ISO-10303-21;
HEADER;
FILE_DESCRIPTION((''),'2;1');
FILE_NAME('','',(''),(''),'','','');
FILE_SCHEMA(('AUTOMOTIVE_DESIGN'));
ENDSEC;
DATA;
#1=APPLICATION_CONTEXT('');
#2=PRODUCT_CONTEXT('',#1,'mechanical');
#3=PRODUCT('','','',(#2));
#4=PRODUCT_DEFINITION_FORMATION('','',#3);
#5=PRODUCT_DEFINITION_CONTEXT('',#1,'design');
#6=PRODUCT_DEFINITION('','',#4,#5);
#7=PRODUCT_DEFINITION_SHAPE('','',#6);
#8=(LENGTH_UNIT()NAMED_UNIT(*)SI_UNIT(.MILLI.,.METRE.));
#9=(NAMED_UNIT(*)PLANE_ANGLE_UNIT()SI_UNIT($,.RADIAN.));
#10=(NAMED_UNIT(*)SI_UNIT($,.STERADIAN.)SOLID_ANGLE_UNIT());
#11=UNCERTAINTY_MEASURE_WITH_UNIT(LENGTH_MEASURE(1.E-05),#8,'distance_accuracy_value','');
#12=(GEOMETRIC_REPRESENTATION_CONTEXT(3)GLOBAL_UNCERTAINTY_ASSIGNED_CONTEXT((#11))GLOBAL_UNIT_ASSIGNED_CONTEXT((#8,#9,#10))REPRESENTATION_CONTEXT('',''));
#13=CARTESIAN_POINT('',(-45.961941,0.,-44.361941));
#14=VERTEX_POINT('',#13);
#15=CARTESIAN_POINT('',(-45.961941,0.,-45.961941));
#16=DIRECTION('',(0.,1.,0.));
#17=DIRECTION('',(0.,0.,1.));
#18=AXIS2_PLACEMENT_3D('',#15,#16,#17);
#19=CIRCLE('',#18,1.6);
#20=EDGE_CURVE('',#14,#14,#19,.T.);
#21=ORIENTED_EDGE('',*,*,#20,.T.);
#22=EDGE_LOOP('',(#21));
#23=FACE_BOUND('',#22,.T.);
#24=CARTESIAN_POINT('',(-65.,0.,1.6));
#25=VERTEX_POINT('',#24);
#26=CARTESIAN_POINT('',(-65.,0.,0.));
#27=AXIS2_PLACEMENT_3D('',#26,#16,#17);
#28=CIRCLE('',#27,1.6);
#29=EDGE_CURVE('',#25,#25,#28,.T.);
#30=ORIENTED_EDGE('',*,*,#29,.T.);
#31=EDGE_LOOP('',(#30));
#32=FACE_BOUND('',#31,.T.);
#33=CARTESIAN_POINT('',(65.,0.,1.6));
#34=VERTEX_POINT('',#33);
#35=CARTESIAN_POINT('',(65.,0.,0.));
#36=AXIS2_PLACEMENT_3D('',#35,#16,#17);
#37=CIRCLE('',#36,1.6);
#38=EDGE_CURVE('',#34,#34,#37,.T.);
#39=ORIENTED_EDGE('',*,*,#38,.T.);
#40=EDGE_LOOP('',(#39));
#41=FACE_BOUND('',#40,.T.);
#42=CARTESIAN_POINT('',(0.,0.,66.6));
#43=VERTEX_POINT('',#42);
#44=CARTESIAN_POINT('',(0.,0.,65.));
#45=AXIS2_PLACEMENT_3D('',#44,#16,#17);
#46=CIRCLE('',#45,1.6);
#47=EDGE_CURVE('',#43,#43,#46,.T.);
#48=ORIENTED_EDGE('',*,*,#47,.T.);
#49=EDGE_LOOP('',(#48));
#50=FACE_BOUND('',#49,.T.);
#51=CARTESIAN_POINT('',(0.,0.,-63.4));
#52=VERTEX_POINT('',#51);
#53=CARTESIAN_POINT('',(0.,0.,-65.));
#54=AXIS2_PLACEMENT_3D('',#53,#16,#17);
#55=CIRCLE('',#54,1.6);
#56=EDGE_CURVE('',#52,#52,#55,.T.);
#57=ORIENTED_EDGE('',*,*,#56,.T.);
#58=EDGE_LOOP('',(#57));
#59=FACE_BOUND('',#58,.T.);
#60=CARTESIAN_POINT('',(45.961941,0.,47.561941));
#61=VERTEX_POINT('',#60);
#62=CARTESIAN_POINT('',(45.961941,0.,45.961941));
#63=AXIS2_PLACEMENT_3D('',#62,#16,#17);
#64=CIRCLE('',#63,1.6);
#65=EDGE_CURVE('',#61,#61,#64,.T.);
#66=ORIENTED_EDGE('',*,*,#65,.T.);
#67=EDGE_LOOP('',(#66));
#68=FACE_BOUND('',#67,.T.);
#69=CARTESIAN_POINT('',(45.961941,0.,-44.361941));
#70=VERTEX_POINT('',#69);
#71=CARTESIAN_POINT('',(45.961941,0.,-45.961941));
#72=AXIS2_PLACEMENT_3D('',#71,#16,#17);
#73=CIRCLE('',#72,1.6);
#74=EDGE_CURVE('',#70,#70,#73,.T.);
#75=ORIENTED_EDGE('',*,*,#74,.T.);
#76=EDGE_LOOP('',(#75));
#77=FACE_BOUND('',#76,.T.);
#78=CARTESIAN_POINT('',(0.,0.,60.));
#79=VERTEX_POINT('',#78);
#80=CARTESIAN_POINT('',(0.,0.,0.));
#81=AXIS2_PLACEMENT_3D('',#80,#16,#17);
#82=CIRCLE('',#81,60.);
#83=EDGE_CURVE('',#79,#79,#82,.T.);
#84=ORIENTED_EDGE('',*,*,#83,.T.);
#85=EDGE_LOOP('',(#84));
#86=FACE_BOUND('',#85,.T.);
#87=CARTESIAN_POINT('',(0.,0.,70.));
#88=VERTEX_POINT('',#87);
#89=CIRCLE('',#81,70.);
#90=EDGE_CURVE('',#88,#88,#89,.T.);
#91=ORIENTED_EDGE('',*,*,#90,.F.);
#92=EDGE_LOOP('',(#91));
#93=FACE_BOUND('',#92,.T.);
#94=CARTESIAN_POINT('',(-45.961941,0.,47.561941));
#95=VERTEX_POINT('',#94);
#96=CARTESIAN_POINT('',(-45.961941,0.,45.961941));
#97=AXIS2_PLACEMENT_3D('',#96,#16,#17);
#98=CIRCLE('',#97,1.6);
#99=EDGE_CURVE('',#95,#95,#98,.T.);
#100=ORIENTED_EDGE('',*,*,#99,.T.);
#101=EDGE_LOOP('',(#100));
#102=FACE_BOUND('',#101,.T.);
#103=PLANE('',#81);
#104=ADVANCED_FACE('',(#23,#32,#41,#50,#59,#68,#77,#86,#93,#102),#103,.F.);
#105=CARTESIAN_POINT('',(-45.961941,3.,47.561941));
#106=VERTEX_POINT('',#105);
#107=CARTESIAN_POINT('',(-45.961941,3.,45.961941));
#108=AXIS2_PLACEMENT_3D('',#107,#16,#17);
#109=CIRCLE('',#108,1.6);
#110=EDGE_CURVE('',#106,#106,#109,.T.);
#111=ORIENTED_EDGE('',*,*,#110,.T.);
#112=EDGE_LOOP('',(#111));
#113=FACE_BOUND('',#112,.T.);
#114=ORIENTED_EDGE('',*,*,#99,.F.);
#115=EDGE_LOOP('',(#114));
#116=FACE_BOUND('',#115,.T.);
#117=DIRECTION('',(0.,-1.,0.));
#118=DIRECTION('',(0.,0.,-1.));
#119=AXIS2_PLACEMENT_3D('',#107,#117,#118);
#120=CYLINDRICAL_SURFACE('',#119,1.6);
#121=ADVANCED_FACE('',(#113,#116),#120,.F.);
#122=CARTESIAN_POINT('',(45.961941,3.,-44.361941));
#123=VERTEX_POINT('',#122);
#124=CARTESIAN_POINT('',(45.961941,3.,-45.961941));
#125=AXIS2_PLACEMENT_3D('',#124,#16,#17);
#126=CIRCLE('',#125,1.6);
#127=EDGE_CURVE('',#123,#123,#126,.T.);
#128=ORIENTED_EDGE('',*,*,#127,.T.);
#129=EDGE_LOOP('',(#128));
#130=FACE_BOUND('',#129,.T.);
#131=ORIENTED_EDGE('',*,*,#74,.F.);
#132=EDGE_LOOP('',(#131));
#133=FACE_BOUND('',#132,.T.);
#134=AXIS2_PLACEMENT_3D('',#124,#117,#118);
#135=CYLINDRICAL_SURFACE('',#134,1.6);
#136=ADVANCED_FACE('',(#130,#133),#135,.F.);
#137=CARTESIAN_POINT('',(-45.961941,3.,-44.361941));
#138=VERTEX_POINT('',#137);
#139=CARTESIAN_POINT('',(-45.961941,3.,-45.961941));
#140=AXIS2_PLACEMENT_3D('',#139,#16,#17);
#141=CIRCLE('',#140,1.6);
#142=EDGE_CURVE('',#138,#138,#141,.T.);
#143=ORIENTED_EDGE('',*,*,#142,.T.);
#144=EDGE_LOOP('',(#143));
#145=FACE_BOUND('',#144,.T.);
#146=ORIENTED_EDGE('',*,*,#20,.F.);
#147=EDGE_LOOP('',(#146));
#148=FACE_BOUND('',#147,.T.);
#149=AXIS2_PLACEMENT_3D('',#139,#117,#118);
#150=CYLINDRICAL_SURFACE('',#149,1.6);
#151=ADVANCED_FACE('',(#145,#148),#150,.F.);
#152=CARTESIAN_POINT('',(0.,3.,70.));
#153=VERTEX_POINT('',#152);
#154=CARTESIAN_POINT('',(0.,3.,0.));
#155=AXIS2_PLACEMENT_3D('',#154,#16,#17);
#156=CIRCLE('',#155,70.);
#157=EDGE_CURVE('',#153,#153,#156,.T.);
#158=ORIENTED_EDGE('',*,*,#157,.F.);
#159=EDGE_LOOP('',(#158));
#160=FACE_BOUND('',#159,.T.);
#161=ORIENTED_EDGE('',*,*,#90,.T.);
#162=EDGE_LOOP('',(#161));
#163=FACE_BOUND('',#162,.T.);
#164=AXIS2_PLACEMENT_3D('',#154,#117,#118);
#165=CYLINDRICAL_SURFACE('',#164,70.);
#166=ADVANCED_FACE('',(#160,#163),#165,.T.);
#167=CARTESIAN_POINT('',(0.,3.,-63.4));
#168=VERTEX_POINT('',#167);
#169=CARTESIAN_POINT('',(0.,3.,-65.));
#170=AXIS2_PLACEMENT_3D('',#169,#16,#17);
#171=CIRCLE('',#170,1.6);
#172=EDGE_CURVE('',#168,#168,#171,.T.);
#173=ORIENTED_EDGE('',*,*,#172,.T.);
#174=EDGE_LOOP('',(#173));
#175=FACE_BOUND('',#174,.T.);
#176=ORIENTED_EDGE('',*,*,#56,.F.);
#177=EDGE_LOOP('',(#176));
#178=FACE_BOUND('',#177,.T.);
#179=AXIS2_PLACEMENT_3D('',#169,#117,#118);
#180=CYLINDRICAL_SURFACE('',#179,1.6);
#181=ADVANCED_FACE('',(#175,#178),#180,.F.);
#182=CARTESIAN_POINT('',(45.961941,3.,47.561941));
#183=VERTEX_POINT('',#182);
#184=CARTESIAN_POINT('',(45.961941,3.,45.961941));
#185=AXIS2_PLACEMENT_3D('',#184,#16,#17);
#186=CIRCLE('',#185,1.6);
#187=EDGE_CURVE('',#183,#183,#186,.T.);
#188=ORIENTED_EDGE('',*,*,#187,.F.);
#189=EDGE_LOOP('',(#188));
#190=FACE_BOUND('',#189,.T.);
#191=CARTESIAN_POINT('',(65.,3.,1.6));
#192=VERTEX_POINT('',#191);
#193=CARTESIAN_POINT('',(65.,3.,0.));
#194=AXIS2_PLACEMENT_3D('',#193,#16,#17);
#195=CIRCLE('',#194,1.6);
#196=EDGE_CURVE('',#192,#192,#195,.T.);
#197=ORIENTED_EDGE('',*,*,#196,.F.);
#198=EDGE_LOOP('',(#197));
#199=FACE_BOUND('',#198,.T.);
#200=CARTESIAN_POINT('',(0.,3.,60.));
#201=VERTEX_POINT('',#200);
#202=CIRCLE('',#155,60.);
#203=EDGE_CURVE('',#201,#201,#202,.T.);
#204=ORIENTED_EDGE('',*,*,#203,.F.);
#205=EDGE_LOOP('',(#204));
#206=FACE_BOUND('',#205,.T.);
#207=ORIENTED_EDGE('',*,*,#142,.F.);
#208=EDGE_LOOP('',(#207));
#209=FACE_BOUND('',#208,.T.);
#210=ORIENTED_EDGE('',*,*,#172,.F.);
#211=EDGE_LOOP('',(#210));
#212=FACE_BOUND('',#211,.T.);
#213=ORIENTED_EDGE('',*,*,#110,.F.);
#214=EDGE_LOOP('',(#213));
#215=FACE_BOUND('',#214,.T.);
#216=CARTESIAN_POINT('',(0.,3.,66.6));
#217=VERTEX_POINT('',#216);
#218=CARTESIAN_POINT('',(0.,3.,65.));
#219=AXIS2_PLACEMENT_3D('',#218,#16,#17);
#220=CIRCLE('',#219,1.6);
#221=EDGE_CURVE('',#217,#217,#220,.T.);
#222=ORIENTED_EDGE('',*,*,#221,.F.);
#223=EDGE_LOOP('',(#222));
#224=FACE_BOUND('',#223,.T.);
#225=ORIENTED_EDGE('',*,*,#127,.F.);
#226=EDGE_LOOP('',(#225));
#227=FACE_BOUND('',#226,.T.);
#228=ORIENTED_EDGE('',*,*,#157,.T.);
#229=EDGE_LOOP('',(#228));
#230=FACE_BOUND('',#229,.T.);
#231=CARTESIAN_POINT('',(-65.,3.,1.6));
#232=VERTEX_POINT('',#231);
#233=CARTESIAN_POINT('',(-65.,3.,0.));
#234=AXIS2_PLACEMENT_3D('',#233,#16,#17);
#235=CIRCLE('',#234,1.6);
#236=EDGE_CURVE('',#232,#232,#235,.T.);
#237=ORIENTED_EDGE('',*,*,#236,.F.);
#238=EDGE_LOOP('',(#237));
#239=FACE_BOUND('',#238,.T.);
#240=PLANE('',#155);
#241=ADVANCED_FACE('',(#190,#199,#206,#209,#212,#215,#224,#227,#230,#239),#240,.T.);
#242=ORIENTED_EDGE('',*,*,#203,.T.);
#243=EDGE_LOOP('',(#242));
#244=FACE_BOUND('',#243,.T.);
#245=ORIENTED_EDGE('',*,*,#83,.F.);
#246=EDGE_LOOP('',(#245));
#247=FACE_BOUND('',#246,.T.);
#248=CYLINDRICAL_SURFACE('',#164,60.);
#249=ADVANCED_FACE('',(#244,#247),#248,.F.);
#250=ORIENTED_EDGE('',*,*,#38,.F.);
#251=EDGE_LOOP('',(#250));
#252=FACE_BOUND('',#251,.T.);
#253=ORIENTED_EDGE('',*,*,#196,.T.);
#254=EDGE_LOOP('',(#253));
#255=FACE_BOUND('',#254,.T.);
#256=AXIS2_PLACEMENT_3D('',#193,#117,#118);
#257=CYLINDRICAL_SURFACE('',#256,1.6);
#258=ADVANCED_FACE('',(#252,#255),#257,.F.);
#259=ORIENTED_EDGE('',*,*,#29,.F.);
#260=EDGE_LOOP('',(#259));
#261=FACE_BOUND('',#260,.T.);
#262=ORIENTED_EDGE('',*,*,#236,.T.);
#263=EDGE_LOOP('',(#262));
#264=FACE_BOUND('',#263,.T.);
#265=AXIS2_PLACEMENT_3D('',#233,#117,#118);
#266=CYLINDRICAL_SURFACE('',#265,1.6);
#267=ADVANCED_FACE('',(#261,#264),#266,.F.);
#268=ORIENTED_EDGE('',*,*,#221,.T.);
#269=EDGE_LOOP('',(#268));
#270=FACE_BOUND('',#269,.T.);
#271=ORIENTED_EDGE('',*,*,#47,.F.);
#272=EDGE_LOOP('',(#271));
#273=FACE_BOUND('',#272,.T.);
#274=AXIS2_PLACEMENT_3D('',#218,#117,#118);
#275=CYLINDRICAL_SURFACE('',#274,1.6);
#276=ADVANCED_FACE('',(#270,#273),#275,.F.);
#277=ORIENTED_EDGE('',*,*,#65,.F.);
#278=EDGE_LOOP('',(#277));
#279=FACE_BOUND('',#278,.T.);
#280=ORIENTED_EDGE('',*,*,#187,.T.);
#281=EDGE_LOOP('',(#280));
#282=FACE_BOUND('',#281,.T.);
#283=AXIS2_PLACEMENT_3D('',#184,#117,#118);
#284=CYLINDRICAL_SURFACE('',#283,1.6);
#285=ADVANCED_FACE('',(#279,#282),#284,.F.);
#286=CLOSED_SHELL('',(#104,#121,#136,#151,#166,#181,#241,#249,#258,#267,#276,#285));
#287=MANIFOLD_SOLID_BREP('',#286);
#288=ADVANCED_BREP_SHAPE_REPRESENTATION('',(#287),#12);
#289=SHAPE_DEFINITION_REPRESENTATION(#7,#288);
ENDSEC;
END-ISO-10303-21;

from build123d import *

# Parameters (mm, degrees)
SKETCH1_R           = 70
SKETCH1_R_2         = 60
SKETCH1_R_3         = 1.6
BOSS_EXTRUDE1_DEPTH = 3


with BuildPart() as part:
    # Sketch1 → Boss-Extrude1 (new body)
    with BuildSketch(Plane(origin=(0, 0, 0), x_dir=(1, 0, 0), z_dir=(0, 1, 0))):
        with Locations(Location((0, 0, 0), (0, 0, 270))):
            Circle(SKETCH1_R)
        with Locations(Location((0, 0, 0), (0, 0, 270))):
            Circle(SKETCH1_R_2, mode=Mode.SUBTRACT)
        with Locations(Location((0, 65, 0), (0, 0, 270))):
            Circle(SKETCH1_R_3, mode=Mode.SUBTRACT)
        with Locations(Location((45.961940777, 45.961940777, 0), (0, 0, 270))):
            Circle(SKETCH1_R_3, mode=Mode.SUBTRACT)
        with Locations(Location((65, 0, 0), (0, 0, 270))):
            Circle(SKETCH1_R_3, mode=Mode.SUBTRACT)
        with Locations(Location((45.961940777, -45.961940777, 0), (0, 0, 270))):
            Circle(SKETCH1_R_3, mode=Mode.SUBTRACT)
        with Locations(Location((0, -65, 0), (0, 0, 270))):
            Circle(SKETCH1_R_3, mode=Mode.SUBTRACT)
        with Locations(Location((-45.961940777, -45.961940777, 0), (0, 0, 270))):
            Circle(SKETCH1_R_3, mode=Mode.SUBTRACT)
        with Locations(Location((-65, 0, 0), (0, 0, 270))):
            Circle(SKETCH1_R_3, mode=Mode.SUBTRACT)
        with Locations(Location((-45.961940777, 45.961940777, 0), (0, 0, 270))):
            Circle(SKETCH1_R_3, mode=Mode.SUBTRACT)
    extrude(amount=BOSS_EXTRUDE1_DEPTH)


solid = part.part
